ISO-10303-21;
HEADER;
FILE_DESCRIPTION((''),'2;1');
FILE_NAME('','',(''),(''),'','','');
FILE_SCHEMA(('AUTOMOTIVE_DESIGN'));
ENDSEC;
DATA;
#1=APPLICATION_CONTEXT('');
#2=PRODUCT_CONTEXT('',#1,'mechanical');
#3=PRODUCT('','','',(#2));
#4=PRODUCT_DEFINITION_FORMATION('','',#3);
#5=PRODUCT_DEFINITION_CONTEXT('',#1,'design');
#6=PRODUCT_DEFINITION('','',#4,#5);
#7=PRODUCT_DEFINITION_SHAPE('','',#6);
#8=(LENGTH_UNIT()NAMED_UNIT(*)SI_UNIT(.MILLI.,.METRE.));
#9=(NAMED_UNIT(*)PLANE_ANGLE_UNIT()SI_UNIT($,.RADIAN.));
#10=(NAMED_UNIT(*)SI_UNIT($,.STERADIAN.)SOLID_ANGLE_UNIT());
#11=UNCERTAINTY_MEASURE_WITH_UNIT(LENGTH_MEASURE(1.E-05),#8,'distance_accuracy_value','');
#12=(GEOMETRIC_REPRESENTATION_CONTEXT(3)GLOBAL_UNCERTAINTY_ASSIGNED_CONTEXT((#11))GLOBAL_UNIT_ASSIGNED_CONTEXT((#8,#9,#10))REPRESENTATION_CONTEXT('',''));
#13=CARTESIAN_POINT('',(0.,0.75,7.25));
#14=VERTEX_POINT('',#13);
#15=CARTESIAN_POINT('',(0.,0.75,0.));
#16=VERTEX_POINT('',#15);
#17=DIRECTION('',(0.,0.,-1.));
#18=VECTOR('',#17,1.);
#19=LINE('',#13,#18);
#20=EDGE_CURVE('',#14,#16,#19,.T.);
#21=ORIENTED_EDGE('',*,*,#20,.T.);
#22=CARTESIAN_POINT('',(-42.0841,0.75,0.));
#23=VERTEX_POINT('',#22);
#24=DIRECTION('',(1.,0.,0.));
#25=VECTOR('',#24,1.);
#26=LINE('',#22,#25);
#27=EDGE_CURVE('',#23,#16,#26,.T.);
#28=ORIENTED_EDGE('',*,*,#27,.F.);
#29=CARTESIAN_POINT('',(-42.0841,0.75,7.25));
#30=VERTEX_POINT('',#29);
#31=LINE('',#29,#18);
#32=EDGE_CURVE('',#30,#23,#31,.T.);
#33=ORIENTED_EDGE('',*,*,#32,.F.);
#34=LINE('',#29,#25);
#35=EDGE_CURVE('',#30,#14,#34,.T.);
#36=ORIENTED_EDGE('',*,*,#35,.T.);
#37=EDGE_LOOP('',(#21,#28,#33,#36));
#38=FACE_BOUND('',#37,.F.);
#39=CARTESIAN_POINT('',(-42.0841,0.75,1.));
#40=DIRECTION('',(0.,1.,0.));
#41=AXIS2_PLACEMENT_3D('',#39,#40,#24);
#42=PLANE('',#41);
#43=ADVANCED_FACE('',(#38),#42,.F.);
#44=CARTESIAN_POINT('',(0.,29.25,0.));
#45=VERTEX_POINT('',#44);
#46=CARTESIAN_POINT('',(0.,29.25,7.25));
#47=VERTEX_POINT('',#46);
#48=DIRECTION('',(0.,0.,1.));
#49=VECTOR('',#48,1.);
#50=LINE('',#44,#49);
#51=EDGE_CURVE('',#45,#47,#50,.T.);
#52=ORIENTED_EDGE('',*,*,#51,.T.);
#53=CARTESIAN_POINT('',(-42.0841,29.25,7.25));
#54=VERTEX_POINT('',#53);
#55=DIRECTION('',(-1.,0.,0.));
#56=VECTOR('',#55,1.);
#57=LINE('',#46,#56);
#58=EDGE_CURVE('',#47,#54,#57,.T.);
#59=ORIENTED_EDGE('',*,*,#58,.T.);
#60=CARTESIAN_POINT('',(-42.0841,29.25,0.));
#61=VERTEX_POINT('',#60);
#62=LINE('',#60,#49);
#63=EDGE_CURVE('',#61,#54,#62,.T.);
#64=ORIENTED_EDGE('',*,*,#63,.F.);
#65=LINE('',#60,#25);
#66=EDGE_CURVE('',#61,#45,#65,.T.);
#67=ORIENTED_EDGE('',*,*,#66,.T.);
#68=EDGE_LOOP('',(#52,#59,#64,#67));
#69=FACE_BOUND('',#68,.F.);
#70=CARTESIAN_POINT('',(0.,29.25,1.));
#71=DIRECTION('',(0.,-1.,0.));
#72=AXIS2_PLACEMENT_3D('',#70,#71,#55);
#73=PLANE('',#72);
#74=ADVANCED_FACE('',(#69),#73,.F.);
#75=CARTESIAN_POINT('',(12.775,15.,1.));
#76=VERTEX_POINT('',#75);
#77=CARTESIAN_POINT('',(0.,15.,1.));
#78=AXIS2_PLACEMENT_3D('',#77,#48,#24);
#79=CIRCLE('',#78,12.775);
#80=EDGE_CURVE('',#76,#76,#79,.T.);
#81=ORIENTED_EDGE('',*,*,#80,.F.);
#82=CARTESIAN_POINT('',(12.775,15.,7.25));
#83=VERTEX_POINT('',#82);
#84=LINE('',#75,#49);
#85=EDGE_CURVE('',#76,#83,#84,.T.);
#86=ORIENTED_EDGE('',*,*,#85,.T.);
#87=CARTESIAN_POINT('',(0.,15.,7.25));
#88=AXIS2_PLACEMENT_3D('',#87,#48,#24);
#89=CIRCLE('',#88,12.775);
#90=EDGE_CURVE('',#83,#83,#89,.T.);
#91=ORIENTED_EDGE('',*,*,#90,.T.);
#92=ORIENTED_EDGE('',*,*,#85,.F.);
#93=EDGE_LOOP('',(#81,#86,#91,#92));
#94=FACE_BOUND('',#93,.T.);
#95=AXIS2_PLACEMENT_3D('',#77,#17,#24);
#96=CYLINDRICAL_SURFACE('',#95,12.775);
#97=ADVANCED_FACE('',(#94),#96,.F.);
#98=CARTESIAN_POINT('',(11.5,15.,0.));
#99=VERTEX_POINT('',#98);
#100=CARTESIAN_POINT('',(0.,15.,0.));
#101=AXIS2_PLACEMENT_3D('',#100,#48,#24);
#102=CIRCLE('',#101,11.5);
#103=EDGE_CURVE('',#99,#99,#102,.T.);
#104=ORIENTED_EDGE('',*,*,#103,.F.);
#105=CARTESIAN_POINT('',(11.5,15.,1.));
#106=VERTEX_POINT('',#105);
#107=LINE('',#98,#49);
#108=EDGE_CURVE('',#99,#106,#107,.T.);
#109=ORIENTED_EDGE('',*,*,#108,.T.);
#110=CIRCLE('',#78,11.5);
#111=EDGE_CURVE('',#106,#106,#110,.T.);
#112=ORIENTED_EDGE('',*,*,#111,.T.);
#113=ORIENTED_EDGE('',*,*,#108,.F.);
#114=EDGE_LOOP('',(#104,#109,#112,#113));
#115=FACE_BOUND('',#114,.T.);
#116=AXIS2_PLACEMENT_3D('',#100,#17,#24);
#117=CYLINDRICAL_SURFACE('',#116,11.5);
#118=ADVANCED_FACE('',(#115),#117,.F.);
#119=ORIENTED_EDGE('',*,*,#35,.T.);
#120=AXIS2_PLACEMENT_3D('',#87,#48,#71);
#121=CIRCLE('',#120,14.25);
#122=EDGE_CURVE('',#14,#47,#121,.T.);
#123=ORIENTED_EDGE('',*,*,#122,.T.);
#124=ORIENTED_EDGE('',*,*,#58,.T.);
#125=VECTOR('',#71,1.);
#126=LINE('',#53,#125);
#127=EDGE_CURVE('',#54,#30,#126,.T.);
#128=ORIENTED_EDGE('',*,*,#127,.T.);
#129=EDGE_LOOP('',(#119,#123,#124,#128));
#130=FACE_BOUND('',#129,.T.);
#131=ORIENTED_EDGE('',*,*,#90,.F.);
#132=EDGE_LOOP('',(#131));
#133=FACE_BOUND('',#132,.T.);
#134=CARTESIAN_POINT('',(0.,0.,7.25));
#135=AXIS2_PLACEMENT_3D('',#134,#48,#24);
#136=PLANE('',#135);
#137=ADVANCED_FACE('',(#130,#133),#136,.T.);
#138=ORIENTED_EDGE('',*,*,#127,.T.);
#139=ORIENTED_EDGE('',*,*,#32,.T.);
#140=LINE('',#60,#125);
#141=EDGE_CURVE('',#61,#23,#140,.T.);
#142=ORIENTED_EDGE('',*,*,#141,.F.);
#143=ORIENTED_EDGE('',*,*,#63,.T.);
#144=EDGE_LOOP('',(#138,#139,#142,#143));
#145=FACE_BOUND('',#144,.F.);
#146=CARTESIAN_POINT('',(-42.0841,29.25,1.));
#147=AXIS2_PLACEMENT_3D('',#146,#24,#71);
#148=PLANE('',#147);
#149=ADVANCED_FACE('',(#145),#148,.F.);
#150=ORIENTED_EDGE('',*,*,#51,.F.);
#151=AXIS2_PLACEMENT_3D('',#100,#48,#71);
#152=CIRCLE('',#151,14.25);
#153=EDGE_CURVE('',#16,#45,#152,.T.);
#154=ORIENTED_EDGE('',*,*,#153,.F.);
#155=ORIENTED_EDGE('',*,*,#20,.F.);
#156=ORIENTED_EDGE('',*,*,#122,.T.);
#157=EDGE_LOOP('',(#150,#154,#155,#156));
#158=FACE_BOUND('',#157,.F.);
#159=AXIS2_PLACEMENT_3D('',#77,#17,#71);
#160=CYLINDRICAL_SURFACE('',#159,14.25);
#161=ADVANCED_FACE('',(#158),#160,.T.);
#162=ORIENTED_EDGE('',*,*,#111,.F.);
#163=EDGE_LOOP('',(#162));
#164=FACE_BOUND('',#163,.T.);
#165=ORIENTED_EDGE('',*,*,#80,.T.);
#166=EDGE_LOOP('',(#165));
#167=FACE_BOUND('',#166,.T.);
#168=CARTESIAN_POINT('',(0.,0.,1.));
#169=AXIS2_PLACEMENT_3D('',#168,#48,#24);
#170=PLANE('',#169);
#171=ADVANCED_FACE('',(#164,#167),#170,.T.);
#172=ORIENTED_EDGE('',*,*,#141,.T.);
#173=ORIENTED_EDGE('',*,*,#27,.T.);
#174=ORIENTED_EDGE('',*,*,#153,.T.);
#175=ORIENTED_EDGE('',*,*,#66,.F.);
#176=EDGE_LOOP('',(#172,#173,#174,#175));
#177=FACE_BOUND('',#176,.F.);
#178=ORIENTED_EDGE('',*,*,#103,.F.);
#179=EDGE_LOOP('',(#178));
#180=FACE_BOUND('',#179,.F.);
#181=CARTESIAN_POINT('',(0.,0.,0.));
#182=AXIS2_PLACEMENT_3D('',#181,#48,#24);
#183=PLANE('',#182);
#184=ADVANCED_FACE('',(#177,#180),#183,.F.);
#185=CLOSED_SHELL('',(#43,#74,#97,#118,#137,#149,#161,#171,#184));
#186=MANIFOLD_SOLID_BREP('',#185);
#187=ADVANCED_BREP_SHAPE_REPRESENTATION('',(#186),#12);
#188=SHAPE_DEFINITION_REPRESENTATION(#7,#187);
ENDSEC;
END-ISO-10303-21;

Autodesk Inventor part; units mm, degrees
ref_plane "YZ Plane" through (0, 0, 0) normal (1, 0, 0) x (0, 1, 0)
ref_plane "XZ Plane" through (0, 0, 0) normal (0, 1, 0) x (-1, 0, 0)
ref_plane "XY Plane" through (0, 0, 0) normal (0, 0, 1) x (1, 0, 0)
ref_plane "Work Plane1" through (0, 0, 0) normal (0, 0, 1) x (1, 0, 0)
sketch "Sketch1" plane through (0, 0, 0) normal (0, 0, 1) x (1, 0, 0)
  arc A0 (-18.155, 30) -> (-18.155, 0) centre (0, 15) ccw construction
  line L0 (-18.155, 0) -> (-3.4871, 0) construction
  line L1 (-18.155, 30) -> (-3.4871, 30) construction
  circle A1 centre (0, 15) radius 15.4 construction
  arc A2 (-6.5238, 29.25) -> (-6.5238, 0.75) centre (0, 15) ccw construction
  line L2 (-6.5238, 0.75) -> (-17.7982, 0.75) construction
  arc A3 (-17.7982, 29.25) -> (-17.7982, 0.75) centre (0, 15) ccw construction
  line L3 (-17.7982, 29.25) -> (-6.5238, 29.25) construction
  circle A4 centre (0, 15) radius 12.775 construction
  line L4 (-6.5238, 29.25) -> (0, 29.25) construction
  line L5 (-6.5238, 0.75) -> (0, 0.75) construction
  arc A5 (0, 0.75) -> (0, 29.25) centre (0, 15) ccw construction
  line L6 (-42.0841, 29.25) -> (-42.0841, 0.75)
  line L7 (-42.0841, 0.75) -> (0, 0.75)
  line L8 (-42.0841, 29.25) -> (0, 29.25)
  circle A6 centre (0, 15) radius 11.5
  arc A7 (0, 0.75) -> (0, 29.25) centre (0, 15) ccw
  arc A8 (-3.4871, 0) -> (3.4871, 0) centre (0, 15) ccw projected
  line L9 (3.4871, 0) -> (18, 0) projected
  line L10 (18, 0) -> (18, 30) projected
  line L11 (3.4871, 30) -> (18, 30) projected
  arc A9 (3.4871, 30) -> (-3.4871, 30) centre (0, 15) ccw projected
  line L12 (-7.3927, 28.5095) -> (7.3927, 28.5095) projected
  arc A10 (7.3927, 1.4905) -> (7.3927, 28.5095) centre (0, 15) ccw projected
  line L13 (7.3927, 1.4905) -> (-7.3927, 1.4905) projected
  arc A11 (-7.3927, 28.5095) -> (-7.3927, 1.4905) centre (0, 15) ccw projected
  point P0 (0, 0)
  dimension "d0" = 0.75
  dimension "d1" = 25.55
  dimension "d2" = 23
extrude "Extrusion1" add sketch "Sketch1" along normal blind 1 contours L8 A7 L12 A11 L13 L7 L6 | A7 L13 A11 L12
sketch "Sketch2" plane through (0, 0, 1) normal (0, 0, 1) x (1, 0, 0)
  circle A0 centre (0, 15) radius 11.5 projected
  line L0 (0, 29.25) -> (-42.0841, 29.25) projected
  line L1 (-42.0841, 29.25) -> (-42.0841, 0.75) projected
  line L2 (-42.0841, 0.75) -> (0, 0.75) projected
  arc A1 (0, 0.75) -> (0, 29.25) centre (0, 15) ccw projected
  circle A2 centre (0, 15) radius 12.775
  point P0 (0, 0)
  dimension "d5" = 25.55
extrude "Extrusion2" add sketch "Sketch2" along normal blind 6.25 contours A1 L2 L1 L0
properties part number "00_Filteslide_25mm_sandwich"
